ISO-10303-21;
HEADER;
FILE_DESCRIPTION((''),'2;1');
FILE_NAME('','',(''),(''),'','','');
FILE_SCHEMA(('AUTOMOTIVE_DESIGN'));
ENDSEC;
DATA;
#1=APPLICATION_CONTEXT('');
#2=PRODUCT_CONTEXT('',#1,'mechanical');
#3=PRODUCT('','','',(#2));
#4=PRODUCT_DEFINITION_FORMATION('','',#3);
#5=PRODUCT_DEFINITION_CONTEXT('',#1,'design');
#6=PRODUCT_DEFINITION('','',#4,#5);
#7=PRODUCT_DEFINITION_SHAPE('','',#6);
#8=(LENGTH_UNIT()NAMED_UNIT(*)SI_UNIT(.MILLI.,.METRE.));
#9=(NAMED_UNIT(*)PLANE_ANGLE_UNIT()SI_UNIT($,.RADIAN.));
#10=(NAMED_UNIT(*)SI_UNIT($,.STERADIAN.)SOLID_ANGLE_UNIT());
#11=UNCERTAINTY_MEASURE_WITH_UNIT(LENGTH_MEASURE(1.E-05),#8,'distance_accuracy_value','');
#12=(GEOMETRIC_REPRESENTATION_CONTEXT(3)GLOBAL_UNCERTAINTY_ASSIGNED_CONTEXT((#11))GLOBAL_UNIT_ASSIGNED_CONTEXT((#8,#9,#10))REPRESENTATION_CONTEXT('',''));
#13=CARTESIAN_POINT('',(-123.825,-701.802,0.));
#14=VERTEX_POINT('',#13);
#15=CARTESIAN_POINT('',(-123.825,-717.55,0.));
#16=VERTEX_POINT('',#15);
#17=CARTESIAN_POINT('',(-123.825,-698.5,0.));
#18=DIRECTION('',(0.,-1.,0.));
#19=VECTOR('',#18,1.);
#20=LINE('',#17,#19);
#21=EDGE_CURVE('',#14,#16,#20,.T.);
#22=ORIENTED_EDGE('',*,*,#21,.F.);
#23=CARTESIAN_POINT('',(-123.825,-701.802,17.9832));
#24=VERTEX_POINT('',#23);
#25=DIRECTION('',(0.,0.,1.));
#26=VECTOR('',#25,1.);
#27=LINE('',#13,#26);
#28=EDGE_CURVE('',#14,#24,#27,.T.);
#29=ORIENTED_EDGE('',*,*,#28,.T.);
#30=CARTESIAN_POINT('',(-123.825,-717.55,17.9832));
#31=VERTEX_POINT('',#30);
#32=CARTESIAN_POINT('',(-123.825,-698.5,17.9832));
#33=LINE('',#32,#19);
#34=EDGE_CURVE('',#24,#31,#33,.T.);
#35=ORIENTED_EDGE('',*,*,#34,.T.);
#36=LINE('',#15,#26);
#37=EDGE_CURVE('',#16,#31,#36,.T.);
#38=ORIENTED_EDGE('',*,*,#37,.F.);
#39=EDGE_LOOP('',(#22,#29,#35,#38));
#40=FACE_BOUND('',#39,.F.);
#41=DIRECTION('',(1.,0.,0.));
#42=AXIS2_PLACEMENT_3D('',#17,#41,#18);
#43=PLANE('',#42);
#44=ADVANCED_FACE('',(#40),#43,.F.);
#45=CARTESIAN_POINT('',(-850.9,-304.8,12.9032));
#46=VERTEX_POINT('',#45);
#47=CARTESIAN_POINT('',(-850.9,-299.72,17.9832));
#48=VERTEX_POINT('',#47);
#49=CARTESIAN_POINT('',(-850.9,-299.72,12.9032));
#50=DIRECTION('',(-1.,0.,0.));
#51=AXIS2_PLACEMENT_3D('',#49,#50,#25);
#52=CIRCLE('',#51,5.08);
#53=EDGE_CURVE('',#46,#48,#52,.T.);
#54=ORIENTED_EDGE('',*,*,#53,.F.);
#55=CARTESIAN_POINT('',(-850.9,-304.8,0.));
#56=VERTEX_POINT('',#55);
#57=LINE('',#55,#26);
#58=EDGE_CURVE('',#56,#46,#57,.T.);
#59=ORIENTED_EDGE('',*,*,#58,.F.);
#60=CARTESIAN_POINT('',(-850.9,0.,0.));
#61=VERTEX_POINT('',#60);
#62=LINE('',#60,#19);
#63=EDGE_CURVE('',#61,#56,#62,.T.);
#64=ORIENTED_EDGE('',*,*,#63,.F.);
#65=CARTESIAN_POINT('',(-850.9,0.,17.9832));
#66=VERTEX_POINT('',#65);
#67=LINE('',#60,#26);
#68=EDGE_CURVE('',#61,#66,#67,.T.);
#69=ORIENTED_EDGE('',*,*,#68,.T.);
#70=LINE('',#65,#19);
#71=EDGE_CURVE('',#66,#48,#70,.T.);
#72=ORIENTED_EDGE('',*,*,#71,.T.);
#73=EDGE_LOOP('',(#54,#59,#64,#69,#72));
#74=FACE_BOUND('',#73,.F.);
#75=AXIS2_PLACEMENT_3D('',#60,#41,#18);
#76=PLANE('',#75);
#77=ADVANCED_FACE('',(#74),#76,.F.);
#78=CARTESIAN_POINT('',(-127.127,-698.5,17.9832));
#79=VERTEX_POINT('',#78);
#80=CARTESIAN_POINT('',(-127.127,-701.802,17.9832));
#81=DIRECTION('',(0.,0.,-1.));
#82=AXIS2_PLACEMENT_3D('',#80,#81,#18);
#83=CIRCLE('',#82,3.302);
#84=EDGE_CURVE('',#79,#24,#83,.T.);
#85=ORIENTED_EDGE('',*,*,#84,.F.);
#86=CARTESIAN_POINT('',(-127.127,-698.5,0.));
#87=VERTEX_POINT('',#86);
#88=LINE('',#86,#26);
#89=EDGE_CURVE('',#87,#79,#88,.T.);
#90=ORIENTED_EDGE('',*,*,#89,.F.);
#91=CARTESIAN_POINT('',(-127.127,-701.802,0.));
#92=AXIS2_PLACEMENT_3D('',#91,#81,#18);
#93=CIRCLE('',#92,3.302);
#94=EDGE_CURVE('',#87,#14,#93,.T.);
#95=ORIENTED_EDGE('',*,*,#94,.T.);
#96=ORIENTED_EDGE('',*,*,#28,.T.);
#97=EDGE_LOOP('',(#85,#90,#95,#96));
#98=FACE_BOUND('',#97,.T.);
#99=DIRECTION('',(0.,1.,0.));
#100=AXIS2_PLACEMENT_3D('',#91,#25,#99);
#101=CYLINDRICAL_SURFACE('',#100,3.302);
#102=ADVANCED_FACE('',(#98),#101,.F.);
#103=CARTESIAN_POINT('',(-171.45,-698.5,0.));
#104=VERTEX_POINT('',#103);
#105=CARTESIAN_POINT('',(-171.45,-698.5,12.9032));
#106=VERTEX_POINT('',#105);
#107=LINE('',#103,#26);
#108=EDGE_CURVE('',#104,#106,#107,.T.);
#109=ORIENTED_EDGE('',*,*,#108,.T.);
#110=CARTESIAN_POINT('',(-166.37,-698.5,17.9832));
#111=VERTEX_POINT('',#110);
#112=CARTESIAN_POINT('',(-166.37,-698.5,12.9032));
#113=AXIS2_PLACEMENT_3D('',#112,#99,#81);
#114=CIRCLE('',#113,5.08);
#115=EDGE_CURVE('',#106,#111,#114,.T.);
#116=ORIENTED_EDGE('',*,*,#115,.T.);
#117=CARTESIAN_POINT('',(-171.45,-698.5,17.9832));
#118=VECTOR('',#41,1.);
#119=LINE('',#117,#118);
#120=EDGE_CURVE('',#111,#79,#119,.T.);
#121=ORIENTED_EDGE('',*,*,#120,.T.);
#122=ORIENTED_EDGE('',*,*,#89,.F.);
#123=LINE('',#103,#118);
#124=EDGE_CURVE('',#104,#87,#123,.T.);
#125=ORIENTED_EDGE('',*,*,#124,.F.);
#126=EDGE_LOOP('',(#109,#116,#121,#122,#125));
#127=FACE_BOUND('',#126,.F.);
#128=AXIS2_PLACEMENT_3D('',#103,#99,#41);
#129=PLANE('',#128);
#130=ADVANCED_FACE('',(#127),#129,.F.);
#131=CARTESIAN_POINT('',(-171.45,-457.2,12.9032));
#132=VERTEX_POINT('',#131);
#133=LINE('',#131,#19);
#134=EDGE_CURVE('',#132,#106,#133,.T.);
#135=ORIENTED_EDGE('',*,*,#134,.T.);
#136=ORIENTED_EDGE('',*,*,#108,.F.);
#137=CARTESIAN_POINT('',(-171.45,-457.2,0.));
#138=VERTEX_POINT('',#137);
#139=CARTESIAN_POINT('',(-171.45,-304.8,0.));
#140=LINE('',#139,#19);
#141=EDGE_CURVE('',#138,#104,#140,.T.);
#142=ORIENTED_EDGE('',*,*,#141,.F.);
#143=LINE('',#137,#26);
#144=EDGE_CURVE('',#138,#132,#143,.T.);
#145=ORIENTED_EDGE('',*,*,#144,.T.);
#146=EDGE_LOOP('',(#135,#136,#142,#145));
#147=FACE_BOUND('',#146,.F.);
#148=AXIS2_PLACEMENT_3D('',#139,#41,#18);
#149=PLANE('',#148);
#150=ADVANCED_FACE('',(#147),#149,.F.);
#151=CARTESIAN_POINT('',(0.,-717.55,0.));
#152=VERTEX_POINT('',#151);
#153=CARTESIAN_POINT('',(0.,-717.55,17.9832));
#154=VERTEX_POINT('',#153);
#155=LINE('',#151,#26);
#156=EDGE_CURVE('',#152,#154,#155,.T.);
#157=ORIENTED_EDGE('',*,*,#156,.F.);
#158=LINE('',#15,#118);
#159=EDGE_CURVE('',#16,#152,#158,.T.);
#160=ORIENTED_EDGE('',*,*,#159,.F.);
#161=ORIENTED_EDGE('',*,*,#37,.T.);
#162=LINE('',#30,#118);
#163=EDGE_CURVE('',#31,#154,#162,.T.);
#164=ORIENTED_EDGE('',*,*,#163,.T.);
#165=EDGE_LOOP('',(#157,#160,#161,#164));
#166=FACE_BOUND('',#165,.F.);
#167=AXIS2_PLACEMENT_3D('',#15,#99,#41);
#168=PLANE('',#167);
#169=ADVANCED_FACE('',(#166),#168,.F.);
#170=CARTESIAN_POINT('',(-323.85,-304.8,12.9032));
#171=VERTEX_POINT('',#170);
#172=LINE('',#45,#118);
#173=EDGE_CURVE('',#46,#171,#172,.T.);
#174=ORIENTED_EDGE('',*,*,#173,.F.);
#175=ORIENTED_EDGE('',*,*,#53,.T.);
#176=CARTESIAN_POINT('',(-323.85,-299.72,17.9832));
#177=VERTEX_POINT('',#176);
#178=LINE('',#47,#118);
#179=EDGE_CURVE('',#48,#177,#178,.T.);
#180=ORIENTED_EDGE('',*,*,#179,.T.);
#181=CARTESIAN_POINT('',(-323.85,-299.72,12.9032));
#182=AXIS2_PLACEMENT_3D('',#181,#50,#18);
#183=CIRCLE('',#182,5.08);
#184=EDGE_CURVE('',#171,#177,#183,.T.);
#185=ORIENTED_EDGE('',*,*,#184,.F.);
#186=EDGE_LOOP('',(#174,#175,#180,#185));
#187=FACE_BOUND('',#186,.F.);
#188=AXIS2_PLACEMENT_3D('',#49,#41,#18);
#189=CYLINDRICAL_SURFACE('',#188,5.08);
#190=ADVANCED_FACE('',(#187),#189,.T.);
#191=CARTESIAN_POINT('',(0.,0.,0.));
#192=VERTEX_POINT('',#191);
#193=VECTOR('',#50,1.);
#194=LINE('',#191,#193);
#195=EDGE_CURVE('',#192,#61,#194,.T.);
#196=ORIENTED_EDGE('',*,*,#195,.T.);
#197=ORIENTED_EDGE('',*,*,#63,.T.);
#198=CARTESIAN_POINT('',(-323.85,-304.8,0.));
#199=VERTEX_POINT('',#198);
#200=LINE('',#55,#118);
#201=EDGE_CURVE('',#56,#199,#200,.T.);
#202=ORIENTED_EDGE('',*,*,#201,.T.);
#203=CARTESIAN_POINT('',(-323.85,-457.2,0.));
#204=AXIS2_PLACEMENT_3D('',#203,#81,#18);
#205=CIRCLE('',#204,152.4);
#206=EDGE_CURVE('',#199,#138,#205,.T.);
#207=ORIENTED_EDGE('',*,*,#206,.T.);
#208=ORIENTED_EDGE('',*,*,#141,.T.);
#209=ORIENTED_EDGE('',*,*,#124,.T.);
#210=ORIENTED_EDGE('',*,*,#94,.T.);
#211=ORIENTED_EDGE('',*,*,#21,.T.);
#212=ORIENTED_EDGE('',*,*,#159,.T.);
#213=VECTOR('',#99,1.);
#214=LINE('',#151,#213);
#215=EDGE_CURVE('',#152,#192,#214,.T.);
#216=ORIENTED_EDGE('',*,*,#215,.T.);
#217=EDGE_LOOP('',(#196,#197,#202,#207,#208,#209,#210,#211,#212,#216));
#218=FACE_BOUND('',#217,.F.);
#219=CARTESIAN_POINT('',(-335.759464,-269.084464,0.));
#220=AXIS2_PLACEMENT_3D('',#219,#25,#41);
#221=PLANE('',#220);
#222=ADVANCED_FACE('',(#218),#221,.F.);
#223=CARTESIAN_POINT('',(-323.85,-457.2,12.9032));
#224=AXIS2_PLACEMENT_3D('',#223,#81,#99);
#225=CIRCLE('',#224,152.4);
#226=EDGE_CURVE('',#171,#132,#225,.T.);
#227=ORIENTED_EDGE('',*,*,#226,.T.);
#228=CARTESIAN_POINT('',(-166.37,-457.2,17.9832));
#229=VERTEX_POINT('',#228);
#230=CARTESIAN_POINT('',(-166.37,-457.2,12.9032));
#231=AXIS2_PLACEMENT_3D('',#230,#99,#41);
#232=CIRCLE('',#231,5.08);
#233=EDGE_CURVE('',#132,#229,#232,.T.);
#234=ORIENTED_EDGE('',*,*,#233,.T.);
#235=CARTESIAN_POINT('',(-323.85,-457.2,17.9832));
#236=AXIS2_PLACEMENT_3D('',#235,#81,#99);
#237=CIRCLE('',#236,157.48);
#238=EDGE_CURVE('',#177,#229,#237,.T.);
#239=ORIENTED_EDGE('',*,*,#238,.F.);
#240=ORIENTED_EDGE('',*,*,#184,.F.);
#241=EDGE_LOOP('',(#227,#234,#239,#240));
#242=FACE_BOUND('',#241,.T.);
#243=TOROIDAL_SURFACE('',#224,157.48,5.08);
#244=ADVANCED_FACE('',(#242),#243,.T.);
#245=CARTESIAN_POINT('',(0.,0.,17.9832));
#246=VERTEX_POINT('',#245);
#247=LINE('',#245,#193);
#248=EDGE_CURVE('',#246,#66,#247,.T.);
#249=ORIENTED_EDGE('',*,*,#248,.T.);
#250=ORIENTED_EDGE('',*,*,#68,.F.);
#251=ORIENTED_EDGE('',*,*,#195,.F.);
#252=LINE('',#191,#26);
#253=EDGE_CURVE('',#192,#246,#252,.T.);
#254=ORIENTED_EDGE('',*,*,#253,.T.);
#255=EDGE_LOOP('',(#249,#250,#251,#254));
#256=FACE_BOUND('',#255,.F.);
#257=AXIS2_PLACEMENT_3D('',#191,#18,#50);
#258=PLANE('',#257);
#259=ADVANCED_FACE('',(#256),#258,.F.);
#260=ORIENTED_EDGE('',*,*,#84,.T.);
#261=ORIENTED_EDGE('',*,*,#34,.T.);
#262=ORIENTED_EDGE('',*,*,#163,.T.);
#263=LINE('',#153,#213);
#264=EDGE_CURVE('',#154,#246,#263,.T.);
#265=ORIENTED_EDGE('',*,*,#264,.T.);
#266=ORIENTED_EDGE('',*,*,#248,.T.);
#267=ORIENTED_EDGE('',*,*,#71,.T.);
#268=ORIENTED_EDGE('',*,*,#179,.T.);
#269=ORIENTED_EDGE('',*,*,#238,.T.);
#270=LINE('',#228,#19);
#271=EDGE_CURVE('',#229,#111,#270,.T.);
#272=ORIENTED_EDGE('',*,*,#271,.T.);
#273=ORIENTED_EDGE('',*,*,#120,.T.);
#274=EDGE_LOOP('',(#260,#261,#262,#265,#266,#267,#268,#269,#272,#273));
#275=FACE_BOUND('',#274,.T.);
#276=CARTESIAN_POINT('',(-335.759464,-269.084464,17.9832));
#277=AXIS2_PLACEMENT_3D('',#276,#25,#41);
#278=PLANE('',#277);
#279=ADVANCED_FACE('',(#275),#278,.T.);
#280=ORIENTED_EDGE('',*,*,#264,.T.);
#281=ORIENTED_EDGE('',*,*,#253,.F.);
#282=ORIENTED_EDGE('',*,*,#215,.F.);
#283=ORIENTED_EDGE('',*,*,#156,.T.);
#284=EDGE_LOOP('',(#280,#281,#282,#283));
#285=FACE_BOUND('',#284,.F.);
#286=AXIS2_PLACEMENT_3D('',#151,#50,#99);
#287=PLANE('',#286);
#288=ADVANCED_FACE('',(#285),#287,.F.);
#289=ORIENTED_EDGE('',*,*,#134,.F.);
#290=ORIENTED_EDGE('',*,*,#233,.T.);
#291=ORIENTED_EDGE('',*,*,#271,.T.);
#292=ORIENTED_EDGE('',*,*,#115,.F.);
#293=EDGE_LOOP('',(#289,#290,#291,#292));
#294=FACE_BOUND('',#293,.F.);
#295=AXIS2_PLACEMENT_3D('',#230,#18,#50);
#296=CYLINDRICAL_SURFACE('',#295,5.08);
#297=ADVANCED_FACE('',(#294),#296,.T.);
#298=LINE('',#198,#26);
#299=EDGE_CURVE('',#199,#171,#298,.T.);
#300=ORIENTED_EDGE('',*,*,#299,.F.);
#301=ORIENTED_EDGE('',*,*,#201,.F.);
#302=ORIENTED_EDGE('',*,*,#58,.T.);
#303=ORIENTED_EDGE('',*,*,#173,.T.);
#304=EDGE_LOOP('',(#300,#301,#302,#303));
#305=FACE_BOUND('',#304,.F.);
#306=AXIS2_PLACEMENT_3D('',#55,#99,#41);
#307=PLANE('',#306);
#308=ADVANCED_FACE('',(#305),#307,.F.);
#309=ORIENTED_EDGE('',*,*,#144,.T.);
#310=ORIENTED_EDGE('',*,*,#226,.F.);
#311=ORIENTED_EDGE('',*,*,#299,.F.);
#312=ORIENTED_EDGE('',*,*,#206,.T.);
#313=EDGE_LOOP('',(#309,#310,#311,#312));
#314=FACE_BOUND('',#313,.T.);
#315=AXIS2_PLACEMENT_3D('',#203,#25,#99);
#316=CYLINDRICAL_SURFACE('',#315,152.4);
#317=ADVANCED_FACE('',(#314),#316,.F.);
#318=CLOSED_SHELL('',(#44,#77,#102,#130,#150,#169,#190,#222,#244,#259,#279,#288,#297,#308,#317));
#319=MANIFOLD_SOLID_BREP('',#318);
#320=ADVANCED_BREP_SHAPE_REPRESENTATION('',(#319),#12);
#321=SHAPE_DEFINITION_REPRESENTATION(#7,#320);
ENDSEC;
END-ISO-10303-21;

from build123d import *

# Parameters (mm, degrees)
F1_DEPTH = 17.9832
F2_R     = 152.4
F3_R     = 3.302
F4_R     = 5.08


with BuildPart() as f1:
    # F0 (on Top) → F1 (new body)
    with BuildSketch(Plane.XY):
        Polygon((-123.825, -698.5), (-123.825, -717.55), (0, -717.55), (0, 0), (-850.9, 0), (-850.9, -304.8), (-171.45, -304.8), (-171.45, -698.5), align=None)
    extrude(amount=F1_DEPTH)

    # F2
    f2_edges = [f1.edges().sort_by_distance(p)[0] for p in [
        (-171.45, -304.8, 8.9916),
    ]]
    fillet(f2_edges, radius=F2_R)

    # F3
    f3_edges = [f1.edges().sort_by_distance(p)[0] for p in [
        (-123.825, -698.5, 8.9916),
    ]]
    fillet(f3_edges, radius=F3_R)

    # F4
    f4_edges = [f1.edges().sort_by_distance(p)[0] for p in [
        (-171.45, -577.85, 17.9832),
    ]]
    fillet(f4_edges, radius=F4_R)


solid = f1.part
